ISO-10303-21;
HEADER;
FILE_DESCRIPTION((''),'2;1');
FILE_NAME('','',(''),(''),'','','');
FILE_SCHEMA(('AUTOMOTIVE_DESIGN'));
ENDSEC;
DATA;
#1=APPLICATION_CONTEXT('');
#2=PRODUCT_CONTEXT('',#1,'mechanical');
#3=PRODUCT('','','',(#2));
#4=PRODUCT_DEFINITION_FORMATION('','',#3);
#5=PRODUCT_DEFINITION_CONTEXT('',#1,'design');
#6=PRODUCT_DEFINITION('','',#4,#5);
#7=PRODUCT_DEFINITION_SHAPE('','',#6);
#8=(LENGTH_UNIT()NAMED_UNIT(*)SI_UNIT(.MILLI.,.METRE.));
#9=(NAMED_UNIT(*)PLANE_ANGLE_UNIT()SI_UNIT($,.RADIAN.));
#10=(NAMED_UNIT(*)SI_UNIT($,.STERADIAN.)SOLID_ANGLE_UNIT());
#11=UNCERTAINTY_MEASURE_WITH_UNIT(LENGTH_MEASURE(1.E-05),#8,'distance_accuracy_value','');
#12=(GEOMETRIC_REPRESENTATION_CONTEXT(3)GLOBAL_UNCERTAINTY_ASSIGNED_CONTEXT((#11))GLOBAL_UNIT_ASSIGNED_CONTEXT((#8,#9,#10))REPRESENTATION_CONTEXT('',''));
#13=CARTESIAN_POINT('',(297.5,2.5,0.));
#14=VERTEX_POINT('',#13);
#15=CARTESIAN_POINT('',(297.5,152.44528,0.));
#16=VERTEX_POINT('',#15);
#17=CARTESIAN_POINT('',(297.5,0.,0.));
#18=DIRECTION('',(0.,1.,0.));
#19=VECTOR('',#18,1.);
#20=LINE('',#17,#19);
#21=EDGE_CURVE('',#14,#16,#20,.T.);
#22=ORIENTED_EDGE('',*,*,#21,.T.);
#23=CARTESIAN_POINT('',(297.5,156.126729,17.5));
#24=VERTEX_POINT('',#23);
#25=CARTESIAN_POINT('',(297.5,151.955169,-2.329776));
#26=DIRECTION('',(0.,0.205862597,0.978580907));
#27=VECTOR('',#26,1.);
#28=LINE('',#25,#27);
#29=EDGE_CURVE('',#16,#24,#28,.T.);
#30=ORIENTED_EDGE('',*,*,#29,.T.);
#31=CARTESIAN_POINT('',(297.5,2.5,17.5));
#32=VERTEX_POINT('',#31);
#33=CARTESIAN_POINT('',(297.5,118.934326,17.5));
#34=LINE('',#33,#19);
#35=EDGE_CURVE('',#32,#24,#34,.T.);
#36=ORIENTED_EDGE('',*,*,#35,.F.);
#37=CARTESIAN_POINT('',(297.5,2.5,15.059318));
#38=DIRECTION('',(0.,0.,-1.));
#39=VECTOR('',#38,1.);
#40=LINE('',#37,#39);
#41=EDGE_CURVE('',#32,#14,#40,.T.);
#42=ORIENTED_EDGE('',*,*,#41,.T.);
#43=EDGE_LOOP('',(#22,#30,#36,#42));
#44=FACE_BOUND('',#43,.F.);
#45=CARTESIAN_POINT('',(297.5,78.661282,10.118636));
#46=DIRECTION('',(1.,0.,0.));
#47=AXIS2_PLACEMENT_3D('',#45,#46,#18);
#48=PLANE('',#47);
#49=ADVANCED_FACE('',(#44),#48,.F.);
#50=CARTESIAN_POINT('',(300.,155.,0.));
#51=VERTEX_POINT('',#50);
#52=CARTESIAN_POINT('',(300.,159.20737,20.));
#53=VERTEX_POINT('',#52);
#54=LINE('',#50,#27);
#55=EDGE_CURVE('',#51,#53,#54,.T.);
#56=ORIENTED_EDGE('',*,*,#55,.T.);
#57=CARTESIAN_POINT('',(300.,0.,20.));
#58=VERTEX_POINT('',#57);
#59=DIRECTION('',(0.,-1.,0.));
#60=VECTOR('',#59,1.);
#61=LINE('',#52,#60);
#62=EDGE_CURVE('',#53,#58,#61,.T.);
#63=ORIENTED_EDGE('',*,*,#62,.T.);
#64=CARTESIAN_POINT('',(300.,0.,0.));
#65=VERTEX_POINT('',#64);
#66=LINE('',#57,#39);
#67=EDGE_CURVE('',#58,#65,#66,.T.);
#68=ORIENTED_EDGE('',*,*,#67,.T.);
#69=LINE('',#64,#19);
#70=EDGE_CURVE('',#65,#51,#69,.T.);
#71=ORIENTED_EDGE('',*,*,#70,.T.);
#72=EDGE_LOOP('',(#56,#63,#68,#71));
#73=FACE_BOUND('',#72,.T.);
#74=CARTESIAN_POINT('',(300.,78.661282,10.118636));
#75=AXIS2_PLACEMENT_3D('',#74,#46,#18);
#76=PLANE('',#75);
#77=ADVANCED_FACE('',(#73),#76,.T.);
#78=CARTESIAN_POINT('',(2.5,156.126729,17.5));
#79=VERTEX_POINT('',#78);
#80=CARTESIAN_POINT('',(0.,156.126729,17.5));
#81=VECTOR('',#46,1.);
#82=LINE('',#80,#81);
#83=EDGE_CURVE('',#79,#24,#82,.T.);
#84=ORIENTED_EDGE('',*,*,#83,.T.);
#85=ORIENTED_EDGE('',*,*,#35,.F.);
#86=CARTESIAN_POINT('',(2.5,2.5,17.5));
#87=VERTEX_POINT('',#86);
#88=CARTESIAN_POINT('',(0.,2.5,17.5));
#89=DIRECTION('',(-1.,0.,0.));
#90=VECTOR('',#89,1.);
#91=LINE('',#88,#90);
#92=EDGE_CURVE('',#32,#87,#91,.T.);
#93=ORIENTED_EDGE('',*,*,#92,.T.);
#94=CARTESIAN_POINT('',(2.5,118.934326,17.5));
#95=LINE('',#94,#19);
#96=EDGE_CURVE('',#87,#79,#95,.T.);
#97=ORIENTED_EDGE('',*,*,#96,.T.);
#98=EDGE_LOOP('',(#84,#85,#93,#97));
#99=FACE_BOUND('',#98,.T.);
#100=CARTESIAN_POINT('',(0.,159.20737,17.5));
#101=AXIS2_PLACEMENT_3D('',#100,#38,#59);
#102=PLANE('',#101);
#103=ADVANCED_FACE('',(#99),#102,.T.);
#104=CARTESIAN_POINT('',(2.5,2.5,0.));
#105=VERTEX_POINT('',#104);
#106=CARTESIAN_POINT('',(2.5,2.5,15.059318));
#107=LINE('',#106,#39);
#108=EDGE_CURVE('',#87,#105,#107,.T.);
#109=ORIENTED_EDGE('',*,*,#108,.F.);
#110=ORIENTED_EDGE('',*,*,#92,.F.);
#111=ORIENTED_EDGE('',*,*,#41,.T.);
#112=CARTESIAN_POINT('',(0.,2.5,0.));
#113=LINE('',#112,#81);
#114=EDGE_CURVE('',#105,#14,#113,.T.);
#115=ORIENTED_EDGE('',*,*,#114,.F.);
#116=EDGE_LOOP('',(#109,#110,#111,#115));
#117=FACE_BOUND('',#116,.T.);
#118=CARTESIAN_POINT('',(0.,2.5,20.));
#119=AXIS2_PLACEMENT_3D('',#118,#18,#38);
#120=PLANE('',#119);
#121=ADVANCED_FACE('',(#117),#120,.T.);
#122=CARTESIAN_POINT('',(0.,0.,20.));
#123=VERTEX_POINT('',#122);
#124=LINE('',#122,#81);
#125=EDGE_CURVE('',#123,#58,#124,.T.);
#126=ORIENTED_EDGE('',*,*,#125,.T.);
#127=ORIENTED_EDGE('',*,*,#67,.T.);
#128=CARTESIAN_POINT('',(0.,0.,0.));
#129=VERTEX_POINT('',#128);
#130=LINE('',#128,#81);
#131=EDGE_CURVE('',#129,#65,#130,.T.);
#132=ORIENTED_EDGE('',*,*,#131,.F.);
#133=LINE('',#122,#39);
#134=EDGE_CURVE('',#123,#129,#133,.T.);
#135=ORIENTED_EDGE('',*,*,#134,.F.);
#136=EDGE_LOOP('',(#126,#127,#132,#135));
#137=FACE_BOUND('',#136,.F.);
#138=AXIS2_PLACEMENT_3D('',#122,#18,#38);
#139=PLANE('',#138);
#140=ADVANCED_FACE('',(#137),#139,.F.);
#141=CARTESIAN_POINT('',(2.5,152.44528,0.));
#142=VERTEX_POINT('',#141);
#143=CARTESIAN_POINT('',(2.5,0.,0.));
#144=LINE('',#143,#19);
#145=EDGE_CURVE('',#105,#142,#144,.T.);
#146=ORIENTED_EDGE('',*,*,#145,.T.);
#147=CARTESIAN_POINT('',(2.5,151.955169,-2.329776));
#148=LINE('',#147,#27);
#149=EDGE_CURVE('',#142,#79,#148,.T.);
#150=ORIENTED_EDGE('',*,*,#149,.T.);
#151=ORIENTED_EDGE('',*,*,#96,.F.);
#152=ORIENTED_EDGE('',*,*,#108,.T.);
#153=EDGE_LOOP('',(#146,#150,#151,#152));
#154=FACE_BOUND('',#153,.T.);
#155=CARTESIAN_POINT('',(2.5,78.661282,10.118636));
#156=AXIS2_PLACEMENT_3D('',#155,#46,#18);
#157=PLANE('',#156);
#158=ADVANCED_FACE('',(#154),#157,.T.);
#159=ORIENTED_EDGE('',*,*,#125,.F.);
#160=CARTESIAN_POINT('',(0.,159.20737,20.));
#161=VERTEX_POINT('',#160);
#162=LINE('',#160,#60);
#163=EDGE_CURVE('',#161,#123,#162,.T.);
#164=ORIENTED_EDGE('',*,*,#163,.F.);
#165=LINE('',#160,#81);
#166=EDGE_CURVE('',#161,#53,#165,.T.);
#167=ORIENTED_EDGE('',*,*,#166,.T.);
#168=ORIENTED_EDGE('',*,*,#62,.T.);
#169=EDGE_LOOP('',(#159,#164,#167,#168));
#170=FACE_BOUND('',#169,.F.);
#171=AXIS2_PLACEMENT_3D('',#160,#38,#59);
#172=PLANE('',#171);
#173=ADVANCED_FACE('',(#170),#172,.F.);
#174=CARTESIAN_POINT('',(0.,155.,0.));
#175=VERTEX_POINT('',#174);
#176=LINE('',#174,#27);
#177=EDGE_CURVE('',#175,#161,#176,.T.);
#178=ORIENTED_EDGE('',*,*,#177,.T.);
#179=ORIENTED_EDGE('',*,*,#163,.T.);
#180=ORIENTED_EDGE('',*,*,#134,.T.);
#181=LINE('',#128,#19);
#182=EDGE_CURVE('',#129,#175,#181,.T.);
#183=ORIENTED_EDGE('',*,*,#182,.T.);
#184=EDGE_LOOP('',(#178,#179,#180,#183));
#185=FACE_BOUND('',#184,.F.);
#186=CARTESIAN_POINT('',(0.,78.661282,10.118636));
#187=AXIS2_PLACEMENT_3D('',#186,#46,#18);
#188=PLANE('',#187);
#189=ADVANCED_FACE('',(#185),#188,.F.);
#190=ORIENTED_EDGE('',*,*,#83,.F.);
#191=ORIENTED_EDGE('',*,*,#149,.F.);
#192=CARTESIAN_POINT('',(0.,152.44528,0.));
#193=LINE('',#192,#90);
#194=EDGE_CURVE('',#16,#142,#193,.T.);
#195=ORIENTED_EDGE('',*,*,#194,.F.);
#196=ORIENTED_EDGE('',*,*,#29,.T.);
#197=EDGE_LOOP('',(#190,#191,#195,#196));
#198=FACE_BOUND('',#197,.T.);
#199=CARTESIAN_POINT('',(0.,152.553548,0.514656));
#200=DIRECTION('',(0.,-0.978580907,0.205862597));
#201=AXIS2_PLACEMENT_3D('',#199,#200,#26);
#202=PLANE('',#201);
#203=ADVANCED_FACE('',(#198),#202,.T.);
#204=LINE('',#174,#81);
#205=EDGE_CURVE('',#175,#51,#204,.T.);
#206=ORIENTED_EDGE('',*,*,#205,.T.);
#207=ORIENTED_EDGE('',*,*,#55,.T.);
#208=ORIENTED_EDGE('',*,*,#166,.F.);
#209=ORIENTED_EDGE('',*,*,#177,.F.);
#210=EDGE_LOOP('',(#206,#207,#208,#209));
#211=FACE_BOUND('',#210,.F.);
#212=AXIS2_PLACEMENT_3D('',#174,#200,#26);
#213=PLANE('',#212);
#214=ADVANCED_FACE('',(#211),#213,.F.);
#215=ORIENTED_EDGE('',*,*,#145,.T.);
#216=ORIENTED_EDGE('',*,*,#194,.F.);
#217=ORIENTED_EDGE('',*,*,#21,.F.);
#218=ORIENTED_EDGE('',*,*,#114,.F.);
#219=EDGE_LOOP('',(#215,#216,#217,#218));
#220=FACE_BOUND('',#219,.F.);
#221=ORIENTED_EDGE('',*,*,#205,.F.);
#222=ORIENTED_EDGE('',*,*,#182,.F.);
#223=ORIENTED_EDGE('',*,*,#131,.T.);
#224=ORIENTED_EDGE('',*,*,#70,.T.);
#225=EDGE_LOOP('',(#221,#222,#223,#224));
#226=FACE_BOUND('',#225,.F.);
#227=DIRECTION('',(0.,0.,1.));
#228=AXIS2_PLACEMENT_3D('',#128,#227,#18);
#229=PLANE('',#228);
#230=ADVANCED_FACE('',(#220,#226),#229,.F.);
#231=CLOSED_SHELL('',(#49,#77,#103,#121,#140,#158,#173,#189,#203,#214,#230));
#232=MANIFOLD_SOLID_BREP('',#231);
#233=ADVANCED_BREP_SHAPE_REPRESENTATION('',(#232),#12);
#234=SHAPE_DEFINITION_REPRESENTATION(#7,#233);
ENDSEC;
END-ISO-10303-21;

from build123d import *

# Parameters (mm, degrees)
F1_DEPTH = 300
F2_T     = -2.5


with BuildPart() as f1:
    # F0 (on Right) → F1 (new body)
    with BuildSketch(Plane.YZ):
        Polygon((0, 20), (0, 0), (155, 0), (159.20737, 20), (155, 20), align=None)
    extrude(amount=F1_DEPTH)

    # F2
    f2_openings = [f1.faces().sort_by_distance(p)[0] for p in [
        (150, 77.5, 0),
    ]]
    offset(amount=F2_T, openings=f2_openings)


solid = f1.part
